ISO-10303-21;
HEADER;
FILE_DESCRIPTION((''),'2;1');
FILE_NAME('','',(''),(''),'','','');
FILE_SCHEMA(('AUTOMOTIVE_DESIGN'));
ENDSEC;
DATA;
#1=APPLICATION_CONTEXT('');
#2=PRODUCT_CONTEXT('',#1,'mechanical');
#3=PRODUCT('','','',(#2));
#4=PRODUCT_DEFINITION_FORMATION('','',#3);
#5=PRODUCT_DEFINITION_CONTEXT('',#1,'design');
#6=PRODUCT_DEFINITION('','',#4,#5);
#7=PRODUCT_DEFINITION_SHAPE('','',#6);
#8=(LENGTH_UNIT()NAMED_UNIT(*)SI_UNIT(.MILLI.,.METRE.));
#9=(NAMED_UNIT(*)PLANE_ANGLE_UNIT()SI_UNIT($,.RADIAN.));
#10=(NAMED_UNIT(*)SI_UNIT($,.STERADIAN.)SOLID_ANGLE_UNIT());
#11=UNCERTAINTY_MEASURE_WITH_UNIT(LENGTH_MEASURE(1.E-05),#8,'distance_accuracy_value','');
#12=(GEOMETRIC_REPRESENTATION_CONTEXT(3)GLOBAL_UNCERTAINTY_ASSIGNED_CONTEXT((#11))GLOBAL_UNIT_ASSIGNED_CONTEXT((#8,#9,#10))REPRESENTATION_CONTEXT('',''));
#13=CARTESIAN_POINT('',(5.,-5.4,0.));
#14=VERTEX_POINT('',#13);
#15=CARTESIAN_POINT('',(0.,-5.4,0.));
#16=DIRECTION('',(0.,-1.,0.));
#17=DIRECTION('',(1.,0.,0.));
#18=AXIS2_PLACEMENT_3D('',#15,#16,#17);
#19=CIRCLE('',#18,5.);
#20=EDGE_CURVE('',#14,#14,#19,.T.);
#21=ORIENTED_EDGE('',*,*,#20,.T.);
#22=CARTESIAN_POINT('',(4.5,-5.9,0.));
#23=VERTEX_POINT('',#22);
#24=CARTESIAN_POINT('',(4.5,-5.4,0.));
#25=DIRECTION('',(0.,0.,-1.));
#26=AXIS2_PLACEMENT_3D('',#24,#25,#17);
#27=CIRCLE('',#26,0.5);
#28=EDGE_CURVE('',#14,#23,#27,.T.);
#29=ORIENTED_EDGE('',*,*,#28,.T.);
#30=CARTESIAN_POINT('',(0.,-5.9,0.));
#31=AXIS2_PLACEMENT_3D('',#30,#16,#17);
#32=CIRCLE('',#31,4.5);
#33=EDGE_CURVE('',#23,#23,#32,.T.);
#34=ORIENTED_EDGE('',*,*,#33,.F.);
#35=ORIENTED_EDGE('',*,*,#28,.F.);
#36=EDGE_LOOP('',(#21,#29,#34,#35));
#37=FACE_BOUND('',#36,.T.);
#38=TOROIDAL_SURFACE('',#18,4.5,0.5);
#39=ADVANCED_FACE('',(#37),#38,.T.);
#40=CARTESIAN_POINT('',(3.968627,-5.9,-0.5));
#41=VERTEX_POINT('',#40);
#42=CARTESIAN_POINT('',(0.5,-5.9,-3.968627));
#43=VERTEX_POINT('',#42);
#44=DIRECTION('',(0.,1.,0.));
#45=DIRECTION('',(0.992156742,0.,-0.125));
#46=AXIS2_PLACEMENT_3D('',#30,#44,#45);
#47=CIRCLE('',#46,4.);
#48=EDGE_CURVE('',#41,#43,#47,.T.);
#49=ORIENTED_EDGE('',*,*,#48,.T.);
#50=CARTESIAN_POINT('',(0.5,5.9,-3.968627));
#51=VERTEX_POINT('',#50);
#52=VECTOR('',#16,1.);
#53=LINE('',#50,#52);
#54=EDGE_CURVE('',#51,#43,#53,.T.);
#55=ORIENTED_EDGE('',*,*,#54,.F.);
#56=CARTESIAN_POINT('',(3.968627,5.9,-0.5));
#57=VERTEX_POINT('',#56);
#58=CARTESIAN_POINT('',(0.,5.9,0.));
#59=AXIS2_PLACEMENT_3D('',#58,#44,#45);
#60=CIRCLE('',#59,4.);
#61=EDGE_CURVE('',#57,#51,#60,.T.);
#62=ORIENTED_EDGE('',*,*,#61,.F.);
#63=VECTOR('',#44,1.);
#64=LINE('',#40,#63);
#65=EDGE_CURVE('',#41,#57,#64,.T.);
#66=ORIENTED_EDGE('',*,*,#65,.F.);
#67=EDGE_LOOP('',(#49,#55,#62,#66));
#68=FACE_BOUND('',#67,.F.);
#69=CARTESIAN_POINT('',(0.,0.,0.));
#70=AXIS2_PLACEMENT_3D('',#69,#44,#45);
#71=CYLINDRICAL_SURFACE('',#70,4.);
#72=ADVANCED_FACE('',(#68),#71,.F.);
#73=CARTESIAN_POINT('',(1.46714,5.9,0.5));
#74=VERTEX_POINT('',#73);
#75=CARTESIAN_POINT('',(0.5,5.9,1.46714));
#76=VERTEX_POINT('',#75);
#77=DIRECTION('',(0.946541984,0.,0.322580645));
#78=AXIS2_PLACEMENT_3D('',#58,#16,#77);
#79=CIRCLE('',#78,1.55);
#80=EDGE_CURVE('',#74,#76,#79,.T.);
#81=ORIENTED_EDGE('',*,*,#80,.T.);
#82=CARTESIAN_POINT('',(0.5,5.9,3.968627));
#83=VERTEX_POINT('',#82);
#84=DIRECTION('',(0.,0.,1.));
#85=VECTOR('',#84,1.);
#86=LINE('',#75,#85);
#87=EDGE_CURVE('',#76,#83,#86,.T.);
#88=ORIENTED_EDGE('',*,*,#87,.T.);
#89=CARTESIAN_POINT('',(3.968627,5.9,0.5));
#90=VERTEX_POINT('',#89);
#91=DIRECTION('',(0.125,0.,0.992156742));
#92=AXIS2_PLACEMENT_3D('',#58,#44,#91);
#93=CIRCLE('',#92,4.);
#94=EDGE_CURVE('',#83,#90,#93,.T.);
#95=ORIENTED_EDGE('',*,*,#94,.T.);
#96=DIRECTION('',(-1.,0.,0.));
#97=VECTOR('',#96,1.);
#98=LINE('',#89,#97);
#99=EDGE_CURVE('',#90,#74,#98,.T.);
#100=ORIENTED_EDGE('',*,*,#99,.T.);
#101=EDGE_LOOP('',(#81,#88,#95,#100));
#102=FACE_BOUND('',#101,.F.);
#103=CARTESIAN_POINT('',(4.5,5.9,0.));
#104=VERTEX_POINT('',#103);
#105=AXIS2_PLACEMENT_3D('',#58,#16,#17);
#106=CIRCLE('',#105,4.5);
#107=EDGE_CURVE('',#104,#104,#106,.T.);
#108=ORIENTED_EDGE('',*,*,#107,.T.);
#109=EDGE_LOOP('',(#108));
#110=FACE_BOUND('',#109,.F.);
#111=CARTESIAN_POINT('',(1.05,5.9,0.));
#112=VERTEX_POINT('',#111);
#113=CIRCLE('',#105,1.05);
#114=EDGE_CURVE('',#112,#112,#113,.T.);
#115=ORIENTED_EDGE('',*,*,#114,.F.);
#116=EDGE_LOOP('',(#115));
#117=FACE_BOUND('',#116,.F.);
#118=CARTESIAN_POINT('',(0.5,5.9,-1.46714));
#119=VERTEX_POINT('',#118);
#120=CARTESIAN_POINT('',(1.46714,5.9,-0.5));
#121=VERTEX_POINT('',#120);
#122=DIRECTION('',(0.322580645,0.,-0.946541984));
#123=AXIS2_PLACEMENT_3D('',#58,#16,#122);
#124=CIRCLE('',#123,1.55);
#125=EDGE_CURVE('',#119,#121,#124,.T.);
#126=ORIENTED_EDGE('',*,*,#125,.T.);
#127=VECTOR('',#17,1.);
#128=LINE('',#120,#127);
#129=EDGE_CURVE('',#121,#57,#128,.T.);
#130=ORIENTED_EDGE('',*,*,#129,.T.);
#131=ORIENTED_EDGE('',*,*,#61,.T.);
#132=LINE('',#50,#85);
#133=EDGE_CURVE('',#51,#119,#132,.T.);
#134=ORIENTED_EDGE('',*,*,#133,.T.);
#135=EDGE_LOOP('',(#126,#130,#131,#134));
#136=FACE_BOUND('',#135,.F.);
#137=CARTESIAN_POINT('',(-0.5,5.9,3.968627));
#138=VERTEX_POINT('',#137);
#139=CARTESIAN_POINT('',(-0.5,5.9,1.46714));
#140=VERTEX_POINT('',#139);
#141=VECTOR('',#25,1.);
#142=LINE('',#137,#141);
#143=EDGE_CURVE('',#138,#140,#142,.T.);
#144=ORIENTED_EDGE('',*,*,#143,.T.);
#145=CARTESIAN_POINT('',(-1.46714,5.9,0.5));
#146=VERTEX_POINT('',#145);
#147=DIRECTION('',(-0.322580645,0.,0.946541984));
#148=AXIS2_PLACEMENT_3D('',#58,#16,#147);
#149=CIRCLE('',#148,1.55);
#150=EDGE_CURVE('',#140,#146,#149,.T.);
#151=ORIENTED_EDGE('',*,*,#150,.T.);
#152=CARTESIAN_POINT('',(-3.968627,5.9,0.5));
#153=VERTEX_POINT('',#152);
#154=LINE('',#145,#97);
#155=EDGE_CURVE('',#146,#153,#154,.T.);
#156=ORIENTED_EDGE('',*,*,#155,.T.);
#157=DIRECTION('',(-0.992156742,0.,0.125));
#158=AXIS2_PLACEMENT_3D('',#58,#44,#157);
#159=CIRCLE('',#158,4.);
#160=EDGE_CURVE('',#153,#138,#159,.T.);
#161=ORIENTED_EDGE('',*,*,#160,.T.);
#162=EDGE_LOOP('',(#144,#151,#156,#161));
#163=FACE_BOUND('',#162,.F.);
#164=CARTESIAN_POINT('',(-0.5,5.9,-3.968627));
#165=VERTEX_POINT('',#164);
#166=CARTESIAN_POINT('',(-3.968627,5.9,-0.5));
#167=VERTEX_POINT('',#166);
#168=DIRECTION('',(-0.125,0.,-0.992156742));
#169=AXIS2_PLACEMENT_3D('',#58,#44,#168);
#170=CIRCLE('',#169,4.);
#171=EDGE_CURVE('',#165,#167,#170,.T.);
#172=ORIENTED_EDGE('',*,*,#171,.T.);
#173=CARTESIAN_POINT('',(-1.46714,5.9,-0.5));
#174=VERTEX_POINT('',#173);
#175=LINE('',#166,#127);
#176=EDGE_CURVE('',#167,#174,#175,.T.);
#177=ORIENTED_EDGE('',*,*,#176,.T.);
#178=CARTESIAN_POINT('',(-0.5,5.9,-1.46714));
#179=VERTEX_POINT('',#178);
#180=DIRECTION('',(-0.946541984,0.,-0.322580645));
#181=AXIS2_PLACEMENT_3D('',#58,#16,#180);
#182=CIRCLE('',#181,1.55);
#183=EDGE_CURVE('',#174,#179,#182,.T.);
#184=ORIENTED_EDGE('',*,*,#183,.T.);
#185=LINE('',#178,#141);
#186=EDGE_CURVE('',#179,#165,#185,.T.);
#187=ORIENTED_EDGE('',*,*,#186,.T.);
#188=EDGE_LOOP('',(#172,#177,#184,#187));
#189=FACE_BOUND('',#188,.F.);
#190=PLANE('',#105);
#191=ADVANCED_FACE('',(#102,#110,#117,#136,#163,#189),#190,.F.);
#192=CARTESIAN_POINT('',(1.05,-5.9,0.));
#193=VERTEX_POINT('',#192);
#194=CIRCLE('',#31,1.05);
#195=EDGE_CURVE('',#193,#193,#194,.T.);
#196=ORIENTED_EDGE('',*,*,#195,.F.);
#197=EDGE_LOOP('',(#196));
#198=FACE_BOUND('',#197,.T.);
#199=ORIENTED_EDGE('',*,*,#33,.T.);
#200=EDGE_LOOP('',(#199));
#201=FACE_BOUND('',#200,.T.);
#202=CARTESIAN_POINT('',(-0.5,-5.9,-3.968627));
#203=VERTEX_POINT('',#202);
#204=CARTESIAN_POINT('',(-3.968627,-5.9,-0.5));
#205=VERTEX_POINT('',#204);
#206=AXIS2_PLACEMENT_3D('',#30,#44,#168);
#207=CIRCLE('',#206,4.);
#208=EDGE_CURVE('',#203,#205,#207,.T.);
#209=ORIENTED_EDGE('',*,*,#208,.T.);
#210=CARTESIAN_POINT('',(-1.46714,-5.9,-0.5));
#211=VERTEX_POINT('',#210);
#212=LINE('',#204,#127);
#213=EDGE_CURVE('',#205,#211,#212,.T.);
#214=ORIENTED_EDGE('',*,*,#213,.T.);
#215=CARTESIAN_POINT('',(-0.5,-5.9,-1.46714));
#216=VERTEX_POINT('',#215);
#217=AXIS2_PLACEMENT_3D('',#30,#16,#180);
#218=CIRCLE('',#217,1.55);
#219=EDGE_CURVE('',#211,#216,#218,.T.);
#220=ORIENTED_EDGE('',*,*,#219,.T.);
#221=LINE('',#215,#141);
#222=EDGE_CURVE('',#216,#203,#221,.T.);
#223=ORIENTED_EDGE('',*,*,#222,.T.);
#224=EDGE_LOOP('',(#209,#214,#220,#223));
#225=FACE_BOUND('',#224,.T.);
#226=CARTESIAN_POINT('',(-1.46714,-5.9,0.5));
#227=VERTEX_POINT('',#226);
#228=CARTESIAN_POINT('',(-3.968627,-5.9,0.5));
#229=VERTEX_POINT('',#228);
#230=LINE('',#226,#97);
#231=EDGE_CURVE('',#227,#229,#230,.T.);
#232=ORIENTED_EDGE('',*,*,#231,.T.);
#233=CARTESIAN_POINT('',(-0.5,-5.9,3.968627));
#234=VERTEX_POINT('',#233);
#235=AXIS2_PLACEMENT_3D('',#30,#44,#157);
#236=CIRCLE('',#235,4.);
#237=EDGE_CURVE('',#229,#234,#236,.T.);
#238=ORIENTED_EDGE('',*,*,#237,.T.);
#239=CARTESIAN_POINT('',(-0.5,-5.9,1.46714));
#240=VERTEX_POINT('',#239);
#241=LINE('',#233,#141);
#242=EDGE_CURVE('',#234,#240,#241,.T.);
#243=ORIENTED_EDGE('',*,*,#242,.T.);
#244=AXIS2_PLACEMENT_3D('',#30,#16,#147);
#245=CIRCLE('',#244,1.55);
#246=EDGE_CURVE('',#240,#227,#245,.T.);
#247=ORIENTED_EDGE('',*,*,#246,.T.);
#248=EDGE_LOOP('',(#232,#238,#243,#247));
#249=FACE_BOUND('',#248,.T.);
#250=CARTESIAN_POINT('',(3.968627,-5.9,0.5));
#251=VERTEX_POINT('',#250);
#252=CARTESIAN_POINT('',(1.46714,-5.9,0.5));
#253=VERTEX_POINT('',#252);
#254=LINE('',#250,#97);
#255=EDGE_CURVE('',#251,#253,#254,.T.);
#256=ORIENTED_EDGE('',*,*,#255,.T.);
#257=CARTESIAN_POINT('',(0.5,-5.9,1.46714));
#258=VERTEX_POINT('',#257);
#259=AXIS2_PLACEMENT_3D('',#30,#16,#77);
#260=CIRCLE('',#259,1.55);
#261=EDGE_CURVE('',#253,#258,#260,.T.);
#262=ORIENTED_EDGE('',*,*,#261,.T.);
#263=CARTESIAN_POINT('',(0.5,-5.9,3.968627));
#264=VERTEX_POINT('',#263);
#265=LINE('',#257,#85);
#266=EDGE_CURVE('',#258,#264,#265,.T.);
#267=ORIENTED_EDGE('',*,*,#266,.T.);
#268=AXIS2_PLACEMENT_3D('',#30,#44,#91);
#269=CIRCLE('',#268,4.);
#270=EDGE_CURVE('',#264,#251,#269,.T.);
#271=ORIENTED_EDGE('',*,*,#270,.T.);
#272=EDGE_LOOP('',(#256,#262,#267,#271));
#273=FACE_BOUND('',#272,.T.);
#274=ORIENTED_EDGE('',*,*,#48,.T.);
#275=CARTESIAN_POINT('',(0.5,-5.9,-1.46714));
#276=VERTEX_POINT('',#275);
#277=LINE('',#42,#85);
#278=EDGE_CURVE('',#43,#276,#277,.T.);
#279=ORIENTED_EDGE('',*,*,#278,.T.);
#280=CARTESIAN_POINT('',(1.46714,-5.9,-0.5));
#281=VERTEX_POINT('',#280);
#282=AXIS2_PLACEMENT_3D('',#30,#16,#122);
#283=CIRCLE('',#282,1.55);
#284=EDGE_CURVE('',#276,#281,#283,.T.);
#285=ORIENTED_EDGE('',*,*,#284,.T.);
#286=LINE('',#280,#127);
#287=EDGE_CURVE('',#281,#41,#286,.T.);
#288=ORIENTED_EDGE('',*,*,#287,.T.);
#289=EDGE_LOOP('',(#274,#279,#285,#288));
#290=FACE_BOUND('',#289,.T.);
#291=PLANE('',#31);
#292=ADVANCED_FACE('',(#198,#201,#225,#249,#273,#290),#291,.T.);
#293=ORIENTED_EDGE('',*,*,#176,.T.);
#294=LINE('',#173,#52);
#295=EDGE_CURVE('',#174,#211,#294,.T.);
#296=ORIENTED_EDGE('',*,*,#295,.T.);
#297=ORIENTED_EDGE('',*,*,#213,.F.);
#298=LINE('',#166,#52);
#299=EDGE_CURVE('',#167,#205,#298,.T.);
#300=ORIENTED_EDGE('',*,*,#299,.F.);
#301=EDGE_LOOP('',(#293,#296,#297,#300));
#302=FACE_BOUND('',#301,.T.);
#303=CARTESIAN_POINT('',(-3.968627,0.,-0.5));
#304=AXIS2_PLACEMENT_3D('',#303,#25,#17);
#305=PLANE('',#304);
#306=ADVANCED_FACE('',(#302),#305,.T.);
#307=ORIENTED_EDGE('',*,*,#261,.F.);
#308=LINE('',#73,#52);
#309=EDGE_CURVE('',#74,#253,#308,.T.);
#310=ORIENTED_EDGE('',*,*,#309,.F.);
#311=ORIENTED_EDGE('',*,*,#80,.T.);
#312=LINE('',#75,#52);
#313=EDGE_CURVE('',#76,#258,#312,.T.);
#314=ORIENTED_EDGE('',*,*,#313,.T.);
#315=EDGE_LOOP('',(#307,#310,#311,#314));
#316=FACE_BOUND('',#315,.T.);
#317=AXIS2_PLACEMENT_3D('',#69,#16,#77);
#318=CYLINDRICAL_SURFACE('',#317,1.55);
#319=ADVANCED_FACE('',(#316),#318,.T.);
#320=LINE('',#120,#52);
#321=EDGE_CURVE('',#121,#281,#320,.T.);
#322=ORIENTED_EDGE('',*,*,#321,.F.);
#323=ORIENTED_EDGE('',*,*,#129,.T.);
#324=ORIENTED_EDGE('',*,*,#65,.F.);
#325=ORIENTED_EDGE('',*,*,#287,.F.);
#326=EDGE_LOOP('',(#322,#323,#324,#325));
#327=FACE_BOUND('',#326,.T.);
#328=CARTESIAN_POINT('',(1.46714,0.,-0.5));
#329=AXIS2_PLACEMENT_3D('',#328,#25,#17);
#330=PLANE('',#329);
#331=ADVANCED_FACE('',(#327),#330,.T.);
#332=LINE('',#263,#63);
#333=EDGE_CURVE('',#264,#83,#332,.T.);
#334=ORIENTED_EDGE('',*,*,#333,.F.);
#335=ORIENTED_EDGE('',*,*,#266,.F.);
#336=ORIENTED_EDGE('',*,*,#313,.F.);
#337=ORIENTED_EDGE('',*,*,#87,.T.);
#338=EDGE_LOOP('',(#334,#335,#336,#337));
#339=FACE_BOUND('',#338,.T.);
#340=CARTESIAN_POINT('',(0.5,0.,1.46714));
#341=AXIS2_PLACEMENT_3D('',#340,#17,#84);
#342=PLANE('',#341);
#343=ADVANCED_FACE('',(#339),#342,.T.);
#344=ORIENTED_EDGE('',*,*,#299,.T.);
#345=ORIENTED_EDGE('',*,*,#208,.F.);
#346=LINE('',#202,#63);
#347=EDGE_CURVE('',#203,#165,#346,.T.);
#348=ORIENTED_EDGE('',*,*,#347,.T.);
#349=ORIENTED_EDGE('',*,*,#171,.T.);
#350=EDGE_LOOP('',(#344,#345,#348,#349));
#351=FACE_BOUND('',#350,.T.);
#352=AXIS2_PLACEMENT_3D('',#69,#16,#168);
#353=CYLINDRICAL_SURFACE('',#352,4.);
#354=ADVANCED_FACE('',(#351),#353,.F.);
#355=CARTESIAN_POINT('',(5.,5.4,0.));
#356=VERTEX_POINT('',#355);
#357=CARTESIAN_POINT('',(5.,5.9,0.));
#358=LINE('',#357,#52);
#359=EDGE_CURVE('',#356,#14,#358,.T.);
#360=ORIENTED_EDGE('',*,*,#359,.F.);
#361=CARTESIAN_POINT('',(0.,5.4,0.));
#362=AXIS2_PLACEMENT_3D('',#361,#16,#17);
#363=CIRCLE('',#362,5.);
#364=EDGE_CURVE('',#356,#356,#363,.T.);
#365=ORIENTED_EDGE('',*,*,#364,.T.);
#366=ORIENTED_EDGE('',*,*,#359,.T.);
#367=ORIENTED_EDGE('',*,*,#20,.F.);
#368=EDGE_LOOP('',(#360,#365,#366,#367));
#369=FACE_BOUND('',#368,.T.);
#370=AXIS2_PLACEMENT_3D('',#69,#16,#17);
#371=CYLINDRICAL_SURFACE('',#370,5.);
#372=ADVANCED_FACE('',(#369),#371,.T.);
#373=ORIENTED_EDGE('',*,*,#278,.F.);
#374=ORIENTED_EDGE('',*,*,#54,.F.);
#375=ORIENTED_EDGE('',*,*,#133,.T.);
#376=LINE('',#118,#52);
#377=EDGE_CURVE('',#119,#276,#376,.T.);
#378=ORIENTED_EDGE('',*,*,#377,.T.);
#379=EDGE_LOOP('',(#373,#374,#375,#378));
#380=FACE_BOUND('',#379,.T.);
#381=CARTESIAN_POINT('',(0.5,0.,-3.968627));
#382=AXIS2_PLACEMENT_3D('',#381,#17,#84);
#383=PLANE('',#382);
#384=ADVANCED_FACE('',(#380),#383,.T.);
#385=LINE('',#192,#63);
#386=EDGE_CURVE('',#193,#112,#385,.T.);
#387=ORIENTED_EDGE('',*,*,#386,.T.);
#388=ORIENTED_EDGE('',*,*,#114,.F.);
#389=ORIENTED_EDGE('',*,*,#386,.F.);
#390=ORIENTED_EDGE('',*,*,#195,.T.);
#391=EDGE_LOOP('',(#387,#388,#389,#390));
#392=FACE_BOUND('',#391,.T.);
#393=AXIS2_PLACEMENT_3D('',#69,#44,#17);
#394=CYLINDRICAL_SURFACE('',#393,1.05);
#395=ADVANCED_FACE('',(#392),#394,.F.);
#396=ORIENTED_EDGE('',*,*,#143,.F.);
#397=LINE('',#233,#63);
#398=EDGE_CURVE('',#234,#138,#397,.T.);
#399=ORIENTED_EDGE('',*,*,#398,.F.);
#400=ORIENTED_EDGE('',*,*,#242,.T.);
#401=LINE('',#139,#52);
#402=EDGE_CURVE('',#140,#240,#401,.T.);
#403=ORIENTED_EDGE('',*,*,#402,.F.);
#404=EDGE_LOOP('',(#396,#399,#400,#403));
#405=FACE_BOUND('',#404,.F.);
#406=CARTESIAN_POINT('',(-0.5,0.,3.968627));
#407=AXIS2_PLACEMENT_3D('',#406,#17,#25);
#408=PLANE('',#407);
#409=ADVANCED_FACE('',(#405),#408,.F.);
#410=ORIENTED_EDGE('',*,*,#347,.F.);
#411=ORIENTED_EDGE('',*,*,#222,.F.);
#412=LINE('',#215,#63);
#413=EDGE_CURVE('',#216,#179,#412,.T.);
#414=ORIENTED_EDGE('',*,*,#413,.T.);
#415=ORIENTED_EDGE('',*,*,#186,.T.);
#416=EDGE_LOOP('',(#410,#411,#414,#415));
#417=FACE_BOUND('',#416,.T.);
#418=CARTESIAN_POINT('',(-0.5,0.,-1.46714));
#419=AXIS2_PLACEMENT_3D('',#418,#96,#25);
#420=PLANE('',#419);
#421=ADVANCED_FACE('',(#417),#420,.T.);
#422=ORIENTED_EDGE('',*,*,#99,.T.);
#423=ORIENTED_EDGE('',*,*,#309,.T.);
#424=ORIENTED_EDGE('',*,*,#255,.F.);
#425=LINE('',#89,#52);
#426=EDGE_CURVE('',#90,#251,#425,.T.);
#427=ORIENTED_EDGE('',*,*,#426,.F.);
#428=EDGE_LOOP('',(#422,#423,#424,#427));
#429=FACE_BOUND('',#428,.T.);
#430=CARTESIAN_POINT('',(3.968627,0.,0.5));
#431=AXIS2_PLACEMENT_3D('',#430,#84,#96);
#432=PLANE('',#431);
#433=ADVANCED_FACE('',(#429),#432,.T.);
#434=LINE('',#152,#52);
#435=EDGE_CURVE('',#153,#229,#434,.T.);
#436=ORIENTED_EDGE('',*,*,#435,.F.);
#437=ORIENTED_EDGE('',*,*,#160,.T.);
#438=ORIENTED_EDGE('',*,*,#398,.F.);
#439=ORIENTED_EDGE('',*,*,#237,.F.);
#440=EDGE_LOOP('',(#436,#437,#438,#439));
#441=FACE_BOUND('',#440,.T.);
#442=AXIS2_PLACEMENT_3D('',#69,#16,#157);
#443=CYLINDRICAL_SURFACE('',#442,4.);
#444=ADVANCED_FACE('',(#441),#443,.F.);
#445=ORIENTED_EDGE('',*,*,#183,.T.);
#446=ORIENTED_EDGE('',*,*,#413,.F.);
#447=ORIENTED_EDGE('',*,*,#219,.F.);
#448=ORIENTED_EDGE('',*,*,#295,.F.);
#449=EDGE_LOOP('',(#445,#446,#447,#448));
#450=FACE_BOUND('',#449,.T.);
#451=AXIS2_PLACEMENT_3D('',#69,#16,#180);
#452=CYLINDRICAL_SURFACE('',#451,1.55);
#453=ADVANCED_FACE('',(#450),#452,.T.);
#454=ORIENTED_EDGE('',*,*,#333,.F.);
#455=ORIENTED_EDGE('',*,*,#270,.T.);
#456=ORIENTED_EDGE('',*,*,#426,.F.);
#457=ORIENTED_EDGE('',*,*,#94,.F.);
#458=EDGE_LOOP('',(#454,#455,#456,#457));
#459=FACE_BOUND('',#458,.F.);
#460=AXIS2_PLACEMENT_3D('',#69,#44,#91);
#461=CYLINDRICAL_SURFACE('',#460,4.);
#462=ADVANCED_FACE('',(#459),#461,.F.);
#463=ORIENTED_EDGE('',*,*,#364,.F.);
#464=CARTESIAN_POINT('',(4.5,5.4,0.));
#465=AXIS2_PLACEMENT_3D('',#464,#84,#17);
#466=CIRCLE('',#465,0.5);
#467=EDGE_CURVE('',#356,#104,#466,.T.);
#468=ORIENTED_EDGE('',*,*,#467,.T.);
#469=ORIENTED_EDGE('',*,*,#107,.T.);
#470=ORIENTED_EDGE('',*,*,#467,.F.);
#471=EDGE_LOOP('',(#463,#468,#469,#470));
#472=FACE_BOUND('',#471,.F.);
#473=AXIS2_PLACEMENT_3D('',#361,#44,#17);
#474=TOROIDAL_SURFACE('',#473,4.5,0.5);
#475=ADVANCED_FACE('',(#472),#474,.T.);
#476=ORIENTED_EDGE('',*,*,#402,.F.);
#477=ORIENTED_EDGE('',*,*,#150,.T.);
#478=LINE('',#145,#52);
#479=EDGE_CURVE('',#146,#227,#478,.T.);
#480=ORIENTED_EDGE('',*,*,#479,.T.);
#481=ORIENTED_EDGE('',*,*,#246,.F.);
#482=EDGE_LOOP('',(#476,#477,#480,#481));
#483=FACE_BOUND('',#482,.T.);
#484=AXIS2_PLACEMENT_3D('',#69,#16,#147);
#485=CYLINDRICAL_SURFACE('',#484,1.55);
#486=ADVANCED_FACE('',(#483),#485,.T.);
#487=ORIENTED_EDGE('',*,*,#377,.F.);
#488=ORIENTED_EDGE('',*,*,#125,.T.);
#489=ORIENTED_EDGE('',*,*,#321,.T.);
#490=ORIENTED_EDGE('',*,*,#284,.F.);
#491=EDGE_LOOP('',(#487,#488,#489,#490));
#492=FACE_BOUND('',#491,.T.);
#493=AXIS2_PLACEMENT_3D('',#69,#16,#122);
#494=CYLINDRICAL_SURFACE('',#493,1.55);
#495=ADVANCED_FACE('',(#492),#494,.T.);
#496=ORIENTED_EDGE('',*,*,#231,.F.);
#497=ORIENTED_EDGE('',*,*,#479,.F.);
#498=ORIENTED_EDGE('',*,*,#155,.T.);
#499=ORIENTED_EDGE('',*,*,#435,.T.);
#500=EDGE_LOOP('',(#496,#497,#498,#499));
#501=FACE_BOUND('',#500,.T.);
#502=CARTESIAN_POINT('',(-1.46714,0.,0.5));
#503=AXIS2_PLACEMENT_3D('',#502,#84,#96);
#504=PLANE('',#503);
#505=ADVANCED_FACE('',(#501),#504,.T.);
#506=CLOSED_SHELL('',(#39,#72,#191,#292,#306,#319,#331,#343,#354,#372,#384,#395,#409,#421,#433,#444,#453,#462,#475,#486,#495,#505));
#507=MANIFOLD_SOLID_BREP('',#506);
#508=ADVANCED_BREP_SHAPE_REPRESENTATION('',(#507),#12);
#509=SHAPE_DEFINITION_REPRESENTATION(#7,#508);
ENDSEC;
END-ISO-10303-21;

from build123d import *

# Parameters (mm, degrees)
F0_R     = 5
F0_R_2   = 1.05
F1_DEPTH = 5.9
F2_R     = 0.5


with BuildPart() as f1:
    # F0 (on Front) → F1 (new body, symmetric)
    with BuildSketch(Plane.XZ):
        Circle(F0_R)
        with BuildLine():
            Line((-3.9686269666, -0.5), (-1.4671400751, -0.5))
            ThreePointArc((-1.4671400751, -0.5), (-1.0960155108, -1.0960155108), (-0.5, -1.4671400751))
            Line((-0.5, -1.4671400751), (-0.5, -3.9686269666))
            ThreePointArc((-0.5, -3.9686269666), (-2.8284271247, -2.8284271247), (-3.9686269666, -0.5))
        make_face(mode=Mode.SUBTRACT)
        with BuildLine():
            Line((1.4671400751, -0.5), (3.9686269666, -0.5))
            ThreePointArc((3.9686269666, -0.5), (2.8284271247, -2.8284271247), (0.5, -3.9686269666))
            Line((0.5, -3.9686269666), (0.5, -1.4671400751))
            ThreePointArc((0.5, -1.4671400751), (1.0960155108, -1.0960155108), (1.4671400751, -0.5))
        make_face(mode=Mode.SUBTRACT)
        with BuildLine():
            ThreePointArc((-3.9686269666, 0.5), (-2.8284271247, 2.8284271247), (-0.5, 3.9686269666))
            Line((-0.5, 3.9686269666), (-0.5, 1.4671400751))
            ThreePointArc((-0.5, 1.4671400751), (-1.0960155108, 1.0960155108), (-1.4671400751, 0.5))
            Line((-1.4671400751, 0.5), (-3.9686269666, 0.5))
        make_face(mode=Mode.SUBTRACT)
        Circle(F0_R_2, mode=Mode.SUBTRACT)
        with BuildLine():
            ThreePointArc((0.5, 3.9686269666), (2.8284271247, 2.8284271247), (3.9686269666, 0.5))
            Line((3.9686269666, 0.5), (1.4671400751, 0.5))
            ThreePointArc((1.4671400751, 0.5), (1.0960155108, 1.0960155108), (0.5, 1.4671400751))
            Line((0.5, 1.4671400751), (0.5, 3.9686269666))
        make_face(mode=Mode.SUBTRACT)
    extrude(amount=F1_DEPTH, both=True)

    # F2
    f2_edges = [f1.edges().sort_by_distance(p)[0] for p in [
        (-5, -5.9, 0),
        (-5, 5.9, 0),
    ]]
    fillet(f2_edges, radius=F2_R)


solid = f1.part
